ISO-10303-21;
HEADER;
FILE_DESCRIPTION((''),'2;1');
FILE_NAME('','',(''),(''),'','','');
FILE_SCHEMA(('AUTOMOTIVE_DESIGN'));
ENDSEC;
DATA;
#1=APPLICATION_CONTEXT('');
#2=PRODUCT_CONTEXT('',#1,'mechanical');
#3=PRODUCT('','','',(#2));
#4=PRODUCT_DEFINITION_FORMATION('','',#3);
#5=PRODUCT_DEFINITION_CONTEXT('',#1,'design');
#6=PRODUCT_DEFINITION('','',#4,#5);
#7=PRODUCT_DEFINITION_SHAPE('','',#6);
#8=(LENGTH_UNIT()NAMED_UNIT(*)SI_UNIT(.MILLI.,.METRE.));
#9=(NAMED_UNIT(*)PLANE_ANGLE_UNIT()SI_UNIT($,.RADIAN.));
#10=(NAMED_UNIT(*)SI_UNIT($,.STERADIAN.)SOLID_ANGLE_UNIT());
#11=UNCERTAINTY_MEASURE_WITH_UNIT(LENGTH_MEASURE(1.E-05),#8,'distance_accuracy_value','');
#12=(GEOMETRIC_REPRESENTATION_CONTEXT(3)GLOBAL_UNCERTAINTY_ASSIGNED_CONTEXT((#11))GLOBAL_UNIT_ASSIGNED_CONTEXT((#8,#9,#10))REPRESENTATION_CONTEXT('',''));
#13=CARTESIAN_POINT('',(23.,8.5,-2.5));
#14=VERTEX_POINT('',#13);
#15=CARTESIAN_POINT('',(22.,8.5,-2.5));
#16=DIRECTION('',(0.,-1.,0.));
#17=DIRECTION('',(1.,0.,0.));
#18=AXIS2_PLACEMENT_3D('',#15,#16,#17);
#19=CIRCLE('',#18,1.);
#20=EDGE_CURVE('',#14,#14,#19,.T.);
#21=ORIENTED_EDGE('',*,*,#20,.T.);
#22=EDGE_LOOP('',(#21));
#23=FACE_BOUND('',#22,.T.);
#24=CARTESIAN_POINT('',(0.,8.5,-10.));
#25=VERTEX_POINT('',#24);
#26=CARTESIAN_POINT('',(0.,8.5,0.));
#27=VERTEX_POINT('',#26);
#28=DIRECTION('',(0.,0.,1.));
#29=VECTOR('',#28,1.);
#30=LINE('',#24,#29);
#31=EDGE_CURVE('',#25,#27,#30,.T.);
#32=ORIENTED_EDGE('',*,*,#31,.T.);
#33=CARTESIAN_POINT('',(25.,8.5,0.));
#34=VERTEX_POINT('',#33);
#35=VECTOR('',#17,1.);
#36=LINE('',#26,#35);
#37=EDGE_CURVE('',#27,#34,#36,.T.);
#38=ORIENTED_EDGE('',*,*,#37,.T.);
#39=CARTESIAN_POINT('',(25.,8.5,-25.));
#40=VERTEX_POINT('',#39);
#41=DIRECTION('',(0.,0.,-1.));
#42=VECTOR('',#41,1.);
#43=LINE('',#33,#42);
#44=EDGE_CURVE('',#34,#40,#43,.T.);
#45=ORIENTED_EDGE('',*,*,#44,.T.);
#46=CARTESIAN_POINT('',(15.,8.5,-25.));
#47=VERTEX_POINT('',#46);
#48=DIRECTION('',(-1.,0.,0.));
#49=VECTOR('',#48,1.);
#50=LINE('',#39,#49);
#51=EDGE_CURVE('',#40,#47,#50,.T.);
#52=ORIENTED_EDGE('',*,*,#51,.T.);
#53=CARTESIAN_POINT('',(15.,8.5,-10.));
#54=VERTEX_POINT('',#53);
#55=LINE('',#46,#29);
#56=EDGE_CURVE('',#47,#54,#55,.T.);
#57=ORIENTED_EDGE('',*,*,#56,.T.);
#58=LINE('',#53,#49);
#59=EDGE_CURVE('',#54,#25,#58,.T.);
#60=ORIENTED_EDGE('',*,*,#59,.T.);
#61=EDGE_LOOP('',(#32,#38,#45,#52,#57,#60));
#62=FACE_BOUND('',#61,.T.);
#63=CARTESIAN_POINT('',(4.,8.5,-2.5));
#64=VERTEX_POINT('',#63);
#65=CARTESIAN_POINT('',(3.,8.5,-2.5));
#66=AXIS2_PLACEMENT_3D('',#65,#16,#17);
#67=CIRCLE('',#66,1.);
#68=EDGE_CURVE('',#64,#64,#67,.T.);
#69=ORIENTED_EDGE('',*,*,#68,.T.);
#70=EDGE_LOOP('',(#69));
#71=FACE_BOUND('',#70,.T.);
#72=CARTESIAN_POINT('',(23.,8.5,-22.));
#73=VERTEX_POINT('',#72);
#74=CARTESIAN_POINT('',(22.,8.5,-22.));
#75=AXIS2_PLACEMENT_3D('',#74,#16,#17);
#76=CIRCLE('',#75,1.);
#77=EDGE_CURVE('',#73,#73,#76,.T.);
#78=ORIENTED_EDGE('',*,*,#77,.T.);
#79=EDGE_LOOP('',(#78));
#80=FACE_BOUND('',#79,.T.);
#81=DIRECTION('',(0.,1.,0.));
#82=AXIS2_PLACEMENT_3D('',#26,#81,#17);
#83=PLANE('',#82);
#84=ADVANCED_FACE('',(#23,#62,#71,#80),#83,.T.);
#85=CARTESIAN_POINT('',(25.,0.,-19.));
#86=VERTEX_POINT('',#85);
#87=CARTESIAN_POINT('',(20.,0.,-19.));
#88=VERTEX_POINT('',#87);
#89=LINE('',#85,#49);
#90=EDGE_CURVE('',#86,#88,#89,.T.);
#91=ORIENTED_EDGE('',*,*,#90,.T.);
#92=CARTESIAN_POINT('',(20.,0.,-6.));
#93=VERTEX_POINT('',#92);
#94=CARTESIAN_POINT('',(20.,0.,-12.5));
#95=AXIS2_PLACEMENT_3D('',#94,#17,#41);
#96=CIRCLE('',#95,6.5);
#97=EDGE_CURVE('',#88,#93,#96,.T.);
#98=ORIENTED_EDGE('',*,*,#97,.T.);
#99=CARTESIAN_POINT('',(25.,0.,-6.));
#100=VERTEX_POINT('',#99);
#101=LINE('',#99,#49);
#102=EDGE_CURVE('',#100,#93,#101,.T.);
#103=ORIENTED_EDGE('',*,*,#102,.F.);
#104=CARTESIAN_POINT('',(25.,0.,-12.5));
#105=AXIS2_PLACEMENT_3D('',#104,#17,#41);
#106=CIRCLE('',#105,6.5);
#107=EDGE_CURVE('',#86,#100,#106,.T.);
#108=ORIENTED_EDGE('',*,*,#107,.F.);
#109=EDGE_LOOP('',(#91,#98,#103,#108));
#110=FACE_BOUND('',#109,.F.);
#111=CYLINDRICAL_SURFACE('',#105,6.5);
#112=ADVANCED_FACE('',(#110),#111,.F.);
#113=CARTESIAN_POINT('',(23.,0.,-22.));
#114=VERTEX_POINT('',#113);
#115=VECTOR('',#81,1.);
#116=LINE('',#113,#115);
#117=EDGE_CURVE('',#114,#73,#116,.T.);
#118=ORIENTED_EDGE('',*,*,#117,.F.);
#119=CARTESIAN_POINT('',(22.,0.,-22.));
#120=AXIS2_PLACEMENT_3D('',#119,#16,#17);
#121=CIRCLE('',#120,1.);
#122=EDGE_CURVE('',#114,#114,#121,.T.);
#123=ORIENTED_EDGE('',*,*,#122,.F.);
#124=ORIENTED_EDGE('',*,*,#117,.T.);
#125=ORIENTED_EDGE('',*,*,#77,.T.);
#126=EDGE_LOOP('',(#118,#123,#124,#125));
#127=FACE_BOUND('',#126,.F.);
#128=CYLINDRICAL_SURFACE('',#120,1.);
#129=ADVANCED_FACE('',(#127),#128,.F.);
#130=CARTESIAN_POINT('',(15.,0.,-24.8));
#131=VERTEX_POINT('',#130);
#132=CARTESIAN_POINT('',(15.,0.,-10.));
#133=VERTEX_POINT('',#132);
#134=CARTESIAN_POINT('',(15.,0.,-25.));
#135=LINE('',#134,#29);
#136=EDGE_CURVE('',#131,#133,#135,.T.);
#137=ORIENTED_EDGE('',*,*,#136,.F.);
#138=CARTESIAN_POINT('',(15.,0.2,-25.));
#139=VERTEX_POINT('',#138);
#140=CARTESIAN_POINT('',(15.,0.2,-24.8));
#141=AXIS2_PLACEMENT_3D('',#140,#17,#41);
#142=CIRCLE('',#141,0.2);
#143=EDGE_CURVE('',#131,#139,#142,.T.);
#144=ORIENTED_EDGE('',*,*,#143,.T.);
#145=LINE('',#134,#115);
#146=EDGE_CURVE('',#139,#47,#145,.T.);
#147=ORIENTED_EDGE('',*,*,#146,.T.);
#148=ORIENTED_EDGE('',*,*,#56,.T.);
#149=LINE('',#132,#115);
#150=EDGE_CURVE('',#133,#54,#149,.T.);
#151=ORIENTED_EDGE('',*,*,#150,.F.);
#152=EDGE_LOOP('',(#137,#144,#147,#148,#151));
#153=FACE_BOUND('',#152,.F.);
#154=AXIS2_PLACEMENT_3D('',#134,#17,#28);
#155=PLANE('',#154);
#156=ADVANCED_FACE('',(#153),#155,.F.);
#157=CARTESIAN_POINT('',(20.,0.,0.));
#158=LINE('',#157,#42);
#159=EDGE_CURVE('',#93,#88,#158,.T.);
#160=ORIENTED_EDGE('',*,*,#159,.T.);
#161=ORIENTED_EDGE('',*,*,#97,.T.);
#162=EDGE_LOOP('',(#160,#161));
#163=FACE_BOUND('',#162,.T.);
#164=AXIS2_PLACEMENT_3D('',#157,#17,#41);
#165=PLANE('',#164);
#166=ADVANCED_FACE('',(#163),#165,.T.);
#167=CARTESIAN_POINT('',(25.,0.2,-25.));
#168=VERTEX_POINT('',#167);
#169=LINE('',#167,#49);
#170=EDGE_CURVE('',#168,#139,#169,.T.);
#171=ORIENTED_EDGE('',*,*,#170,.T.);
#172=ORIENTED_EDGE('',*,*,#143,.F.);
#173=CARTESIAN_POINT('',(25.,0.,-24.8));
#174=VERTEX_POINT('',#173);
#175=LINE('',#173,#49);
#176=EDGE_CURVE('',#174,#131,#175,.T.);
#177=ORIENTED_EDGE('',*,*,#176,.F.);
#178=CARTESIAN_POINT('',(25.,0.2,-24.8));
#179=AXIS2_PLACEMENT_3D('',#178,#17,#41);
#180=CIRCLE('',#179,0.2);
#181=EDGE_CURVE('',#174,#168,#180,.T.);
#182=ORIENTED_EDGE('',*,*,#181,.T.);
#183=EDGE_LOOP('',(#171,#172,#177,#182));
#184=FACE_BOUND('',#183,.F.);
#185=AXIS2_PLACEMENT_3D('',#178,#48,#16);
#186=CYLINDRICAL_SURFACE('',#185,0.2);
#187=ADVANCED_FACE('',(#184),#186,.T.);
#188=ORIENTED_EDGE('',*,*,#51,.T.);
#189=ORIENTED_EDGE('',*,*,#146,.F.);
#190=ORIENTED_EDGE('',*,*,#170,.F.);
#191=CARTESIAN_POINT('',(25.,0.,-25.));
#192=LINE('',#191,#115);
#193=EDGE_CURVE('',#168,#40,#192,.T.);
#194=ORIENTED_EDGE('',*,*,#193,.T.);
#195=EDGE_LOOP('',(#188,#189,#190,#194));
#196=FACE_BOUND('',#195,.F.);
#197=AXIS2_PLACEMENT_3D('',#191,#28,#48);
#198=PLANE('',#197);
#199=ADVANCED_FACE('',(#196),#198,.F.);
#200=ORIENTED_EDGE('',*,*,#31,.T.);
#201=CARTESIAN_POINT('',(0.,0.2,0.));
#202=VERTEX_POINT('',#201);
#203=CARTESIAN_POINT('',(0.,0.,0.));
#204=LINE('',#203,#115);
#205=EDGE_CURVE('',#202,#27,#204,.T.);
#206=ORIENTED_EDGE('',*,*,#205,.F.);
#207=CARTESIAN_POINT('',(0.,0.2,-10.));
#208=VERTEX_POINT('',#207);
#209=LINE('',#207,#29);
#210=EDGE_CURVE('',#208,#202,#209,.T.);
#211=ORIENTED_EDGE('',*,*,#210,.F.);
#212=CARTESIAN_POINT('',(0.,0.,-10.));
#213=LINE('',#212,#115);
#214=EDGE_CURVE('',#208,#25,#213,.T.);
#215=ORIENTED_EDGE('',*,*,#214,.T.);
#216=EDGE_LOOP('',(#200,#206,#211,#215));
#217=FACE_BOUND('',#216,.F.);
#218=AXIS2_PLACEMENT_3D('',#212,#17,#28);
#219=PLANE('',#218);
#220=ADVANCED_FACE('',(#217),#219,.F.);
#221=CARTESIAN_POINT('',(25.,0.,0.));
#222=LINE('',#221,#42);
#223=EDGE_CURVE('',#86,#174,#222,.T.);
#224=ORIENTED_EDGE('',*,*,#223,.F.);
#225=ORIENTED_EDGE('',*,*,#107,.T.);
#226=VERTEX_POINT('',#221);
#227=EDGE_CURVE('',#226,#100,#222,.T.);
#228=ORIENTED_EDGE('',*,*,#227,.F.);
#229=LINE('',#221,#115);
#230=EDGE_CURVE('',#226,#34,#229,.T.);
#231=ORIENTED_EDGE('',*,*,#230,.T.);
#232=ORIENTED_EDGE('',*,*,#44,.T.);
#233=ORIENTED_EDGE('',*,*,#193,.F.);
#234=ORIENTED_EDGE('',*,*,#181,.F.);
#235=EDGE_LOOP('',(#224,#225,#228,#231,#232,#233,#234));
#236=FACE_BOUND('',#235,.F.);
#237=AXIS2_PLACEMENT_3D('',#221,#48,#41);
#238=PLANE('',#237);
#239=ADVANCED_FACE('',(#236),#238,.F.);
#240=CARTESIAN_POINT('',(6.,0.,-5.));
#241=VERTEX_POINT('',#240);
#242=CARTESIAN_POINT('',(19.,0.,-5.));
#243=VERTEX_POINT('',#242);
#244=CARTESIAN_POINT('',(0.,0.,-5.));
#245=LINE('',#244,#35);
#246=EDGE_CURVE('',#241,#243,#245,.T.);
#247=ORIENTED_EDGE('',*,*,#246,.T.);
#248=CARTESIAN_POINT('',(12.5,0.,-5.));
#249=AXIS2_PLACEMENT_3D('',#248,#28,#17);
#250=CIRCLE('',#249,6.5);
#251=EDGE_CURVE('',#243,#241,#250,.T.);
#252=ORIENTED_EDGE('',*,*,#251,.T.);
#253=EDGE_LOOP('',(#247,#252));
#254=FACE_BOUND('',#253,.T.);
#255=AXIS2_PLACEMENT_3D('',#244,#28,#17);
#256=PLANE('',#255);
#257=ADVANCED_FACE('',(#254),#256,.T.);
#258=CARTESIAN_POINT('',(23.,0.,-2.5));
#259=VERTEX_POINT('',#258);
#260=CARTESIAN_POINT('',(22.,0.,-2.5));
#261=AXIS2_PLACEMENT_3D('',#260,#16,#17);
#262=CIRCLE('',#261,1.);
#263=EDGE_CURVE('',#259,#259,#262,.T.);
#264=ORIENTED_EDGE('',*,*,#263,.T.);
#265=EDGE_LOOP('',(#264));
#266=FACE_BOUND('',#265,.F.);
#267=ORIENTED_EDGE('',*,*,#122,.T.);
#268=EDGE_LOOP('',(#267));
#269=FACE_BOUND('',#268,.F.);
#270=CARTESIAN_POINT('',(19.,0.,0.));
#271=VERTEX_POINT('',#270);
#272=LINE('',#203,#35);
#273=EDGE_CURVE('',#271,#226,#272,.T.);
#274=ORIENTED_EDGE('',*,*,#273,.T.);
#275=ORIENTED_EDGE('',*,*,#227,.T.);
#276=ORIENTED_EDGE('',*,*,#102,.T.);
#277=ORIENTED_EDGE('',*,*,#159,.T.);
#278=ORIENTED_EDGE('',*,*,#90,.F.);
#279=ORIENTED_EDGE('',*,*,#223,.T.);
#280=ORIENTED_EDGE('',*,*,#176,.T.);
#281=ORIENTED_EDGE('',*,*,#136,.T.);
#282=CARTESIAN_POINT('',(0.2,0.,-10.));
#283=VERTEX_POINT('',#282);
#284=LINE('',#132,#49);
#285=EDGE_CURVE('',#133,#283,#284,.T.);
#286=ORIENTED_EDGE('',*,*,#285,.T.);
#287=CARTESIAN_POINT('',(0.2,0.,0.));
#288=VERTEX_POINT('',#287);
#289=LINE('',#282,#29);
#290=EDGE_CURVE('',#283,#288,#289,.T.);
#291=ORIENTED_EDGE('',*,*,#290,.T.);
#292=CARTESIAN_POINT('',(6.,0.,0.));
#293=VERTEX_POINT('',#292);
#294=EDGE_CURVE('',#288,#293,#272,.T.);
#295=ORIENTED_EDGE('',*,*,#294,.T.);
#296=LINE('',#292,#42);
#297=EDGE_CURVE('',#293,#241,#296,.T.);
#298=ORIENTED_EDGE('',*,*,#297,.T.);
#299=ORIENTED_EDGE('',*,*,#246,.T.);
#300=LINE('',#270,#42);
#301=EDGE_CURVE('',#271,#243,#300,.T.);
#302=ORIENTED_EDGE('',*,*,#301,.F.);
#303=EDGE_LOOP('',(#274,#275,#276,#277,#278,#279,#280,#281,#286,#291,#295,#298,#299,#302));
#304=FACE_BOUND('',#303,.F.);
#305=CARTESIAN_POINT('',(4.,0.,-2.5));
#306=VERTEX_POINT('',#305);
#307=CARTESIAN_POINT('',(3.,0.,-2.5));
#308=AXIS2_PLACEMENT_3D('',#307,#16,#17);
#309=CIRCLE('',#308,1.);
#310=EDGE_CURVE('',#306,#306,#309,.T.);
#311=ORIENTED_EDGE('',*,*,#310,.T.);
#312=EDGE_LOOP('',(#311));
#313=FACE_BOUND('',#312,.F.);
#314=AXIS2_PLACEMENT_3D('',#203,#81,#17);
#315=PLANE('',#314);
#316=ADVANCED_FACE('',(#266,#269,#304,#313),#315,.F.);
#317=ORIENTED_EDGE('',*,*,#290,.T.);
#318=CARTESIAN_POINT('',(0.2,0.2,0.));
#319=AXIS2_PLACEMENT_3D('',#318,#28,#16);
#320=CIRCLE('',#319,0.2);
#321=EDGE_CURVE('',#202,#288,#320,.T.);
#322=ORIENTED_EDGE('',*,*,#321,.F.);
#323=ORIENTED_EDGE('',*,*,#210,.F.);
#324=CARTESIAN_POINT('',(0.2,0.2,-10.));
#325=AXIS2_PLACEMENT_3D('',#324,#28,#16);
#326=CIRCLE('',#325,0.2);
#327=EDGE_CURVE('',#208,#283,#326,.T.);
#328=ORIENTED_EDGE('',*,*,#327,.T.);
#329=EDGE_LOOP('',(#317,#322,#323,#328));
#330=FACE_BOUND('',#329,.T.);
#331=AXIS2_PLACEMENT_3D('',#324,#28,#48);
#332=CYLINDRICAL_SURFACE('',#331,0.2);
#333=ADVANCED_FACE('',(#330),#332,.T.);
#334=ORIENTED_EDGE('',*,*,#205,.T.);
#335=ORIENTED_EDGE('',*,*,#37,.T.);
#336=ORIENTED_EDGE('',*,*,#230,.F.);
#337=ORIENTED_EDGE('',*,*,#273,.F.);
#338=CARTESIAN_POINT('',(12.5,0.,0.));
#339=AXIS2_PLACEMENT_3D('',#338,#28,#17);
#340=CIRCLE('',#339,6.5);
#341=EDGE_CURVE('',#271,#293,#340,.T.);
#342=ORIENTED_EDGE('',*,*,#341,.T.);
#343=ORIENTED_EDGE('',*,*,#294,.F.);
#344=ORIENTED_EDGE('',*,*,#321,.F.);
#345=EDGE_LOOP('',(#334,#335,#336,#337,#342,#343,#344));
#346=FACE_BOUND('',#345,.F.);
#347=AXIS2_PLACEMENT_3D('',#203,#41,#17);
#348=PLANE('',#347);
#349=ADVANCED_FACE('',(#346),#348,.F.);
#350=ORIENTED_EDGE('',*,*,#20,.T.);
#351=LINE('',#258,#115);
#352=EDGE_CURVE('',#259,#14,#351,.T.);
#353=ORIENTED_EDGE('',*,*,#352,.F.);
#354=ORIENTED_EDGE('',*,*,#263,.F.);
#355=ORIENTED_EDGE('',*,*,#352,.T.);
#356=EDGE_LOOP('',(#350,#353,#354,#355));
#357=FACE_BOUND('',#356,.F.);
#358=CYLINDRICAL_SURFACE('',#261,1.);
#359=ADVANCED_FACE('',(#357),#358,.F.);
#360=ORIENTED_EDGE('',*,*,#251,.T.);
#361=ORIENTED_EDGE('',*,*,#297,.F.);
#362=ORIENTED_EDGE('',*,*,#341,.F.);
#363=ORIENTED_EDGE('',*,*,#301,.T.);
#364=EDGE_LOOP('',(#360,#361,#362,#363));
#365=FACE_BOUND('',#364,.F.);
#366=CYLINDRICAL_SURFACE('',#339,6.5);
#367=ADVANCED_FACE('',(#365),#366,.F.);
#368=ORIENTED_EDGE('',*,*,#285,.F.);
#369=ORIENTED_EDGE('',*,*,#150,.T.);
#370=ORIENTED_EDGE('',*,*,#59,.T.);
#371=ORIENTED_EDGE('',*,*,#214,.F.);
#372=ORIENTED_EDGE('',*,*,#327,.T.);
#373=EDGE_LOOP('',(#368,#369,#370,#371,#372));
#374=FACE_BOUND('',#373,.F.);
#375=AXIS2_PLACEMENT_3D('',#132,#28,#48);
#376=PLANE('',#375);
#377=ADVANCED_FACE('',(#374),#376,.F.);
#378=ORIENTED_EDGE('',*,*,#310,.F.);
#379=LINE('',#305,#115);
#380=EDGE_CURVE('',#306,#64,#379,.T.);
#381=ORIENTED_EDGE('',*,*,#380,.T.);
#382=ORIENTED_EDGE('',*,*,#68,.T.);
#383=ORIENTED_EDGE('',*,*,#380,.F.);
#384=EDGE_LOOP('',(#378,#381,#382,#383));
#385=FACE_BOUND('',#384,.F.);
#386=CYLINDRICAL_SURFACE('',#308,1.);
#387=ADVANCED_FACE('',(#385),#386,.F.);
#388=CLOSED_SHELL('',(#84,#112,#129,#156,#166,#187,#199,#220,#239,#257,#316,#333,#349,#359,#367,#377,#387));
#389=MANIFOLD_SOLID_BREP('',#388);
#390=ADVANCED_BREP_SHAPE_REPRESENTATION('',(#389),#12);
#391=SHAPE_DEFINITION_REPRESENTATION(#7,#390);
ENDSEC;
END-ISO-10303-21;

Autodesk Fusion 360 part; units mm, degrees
sketch "Sketch1" plane through (0, 0, 0) normal (0, 1, 0) x (1, 0, 0)
  line L0 (0, 0) -> (25, 0)
  line L1 (25, 0) -> (25, 25)
  line L2 (25, 25) -> (15, 25)
  line L3 (0, 10) -> (0, 0)
  line L4 (15, 25) -> (15, 10)
  line L5 (15, 10) -> (0, 10)
  dimension "d13" = 25
  dimension "d14" = 25
  dimension "d15" = 15
extrude "Extrude1" add sketch "Sketch1" along normal blind 8.5
sketch "Sketch2" plane through (25, 0, 0) normal (1, 0, 0) x (0, 0, -1)
  line L0 (0, 0) -> (25, 0)
  line L1 (25, 0) -> (25, 8.5)
  line L2 (25, 8.5) -> (0, 8.5)
  line L3 (0, 8.5) -> (0, 0)
  arc A0 (19, 0) -> (6, 0) centre (12.5, 0) ccw
  line L4 (6, 0) -> (19, 0)
  dimension "d5" = 13
extrude "Extrude2" cut sketch "Sketch2" against normal blind 5 contours L0 A0 L4
sketch "Sketch3" plane through (0, 0, 0) normal (0, 0, 1) x (1, 0, 0)
  line L0 (0, 0) -> (25, 0)
  line L1 (25, 0) -> (25, 8.5)
  line L2 (25, 8.5) -> (0, 8.5)
  line L3 (0, 8.5) -> (0, 0)
  arc A0 (19, 0) -> (6, 0) centre (12.5, 0) ccw
  line L4 (6, 0) -> (19, 0)
  dimension "d8" = 13
extrude "Extrude3" cut sketch "Sketch3" against normal blind 5 contours L0 A0 L4
sketch "Sketch4" plane through (0, 0, 0) normal (0, -1, 0) x (1, 0, 0)
  line L0 (19, 0) -> (19, -5)
  line L1 (19, -5) -> (6, -5)
  line L2 (6, -5) -> (6, 0)
  line L3 (6, 0) -> (0, 0)
  line L4 (0, 0) -> (0, -10)
  line L5 (0, -10) -> (15, -10)
  line L6 (15, -10) -> (15, -25)
  line L7 (15, -25) -> (25, -25)
  line L8 (25, -25) -> (25, -19)
  line L9 (25, -19) -> (20, -19)
  line L10 (20, -19) -> (20, -6)
  line L11 (20, -6) -> (25, -6)
  line L12 (25, -6) -> (25, 0)
  line L13 (25, 0) -> (19, 0)
  circle A0 centre (3, -2.5) radius 1
  line L14 (0, -2.5) -> (25, -2.5) construction
  line L15 (22, 0) -> (22, -25) construction
  line L16 (25, -22) -> (24.6457, -22)
  line L17 (24.6457, -22) -> (15, -22) construction
  line L18 (3, 0) -> (3, -10) construction
  circle A1 centre (22, -22) radius 1
  circle A2 centre (22, -2.5) radius 1
  dimension "d16" = 2
extrude "Extrude4" cut sketch "Sketch4" against normal through all contours A0 | A1 | A2
fillet "Fillet1" radius 0.2 2 edges at (0, 0, -5) (20, 0, -25)
